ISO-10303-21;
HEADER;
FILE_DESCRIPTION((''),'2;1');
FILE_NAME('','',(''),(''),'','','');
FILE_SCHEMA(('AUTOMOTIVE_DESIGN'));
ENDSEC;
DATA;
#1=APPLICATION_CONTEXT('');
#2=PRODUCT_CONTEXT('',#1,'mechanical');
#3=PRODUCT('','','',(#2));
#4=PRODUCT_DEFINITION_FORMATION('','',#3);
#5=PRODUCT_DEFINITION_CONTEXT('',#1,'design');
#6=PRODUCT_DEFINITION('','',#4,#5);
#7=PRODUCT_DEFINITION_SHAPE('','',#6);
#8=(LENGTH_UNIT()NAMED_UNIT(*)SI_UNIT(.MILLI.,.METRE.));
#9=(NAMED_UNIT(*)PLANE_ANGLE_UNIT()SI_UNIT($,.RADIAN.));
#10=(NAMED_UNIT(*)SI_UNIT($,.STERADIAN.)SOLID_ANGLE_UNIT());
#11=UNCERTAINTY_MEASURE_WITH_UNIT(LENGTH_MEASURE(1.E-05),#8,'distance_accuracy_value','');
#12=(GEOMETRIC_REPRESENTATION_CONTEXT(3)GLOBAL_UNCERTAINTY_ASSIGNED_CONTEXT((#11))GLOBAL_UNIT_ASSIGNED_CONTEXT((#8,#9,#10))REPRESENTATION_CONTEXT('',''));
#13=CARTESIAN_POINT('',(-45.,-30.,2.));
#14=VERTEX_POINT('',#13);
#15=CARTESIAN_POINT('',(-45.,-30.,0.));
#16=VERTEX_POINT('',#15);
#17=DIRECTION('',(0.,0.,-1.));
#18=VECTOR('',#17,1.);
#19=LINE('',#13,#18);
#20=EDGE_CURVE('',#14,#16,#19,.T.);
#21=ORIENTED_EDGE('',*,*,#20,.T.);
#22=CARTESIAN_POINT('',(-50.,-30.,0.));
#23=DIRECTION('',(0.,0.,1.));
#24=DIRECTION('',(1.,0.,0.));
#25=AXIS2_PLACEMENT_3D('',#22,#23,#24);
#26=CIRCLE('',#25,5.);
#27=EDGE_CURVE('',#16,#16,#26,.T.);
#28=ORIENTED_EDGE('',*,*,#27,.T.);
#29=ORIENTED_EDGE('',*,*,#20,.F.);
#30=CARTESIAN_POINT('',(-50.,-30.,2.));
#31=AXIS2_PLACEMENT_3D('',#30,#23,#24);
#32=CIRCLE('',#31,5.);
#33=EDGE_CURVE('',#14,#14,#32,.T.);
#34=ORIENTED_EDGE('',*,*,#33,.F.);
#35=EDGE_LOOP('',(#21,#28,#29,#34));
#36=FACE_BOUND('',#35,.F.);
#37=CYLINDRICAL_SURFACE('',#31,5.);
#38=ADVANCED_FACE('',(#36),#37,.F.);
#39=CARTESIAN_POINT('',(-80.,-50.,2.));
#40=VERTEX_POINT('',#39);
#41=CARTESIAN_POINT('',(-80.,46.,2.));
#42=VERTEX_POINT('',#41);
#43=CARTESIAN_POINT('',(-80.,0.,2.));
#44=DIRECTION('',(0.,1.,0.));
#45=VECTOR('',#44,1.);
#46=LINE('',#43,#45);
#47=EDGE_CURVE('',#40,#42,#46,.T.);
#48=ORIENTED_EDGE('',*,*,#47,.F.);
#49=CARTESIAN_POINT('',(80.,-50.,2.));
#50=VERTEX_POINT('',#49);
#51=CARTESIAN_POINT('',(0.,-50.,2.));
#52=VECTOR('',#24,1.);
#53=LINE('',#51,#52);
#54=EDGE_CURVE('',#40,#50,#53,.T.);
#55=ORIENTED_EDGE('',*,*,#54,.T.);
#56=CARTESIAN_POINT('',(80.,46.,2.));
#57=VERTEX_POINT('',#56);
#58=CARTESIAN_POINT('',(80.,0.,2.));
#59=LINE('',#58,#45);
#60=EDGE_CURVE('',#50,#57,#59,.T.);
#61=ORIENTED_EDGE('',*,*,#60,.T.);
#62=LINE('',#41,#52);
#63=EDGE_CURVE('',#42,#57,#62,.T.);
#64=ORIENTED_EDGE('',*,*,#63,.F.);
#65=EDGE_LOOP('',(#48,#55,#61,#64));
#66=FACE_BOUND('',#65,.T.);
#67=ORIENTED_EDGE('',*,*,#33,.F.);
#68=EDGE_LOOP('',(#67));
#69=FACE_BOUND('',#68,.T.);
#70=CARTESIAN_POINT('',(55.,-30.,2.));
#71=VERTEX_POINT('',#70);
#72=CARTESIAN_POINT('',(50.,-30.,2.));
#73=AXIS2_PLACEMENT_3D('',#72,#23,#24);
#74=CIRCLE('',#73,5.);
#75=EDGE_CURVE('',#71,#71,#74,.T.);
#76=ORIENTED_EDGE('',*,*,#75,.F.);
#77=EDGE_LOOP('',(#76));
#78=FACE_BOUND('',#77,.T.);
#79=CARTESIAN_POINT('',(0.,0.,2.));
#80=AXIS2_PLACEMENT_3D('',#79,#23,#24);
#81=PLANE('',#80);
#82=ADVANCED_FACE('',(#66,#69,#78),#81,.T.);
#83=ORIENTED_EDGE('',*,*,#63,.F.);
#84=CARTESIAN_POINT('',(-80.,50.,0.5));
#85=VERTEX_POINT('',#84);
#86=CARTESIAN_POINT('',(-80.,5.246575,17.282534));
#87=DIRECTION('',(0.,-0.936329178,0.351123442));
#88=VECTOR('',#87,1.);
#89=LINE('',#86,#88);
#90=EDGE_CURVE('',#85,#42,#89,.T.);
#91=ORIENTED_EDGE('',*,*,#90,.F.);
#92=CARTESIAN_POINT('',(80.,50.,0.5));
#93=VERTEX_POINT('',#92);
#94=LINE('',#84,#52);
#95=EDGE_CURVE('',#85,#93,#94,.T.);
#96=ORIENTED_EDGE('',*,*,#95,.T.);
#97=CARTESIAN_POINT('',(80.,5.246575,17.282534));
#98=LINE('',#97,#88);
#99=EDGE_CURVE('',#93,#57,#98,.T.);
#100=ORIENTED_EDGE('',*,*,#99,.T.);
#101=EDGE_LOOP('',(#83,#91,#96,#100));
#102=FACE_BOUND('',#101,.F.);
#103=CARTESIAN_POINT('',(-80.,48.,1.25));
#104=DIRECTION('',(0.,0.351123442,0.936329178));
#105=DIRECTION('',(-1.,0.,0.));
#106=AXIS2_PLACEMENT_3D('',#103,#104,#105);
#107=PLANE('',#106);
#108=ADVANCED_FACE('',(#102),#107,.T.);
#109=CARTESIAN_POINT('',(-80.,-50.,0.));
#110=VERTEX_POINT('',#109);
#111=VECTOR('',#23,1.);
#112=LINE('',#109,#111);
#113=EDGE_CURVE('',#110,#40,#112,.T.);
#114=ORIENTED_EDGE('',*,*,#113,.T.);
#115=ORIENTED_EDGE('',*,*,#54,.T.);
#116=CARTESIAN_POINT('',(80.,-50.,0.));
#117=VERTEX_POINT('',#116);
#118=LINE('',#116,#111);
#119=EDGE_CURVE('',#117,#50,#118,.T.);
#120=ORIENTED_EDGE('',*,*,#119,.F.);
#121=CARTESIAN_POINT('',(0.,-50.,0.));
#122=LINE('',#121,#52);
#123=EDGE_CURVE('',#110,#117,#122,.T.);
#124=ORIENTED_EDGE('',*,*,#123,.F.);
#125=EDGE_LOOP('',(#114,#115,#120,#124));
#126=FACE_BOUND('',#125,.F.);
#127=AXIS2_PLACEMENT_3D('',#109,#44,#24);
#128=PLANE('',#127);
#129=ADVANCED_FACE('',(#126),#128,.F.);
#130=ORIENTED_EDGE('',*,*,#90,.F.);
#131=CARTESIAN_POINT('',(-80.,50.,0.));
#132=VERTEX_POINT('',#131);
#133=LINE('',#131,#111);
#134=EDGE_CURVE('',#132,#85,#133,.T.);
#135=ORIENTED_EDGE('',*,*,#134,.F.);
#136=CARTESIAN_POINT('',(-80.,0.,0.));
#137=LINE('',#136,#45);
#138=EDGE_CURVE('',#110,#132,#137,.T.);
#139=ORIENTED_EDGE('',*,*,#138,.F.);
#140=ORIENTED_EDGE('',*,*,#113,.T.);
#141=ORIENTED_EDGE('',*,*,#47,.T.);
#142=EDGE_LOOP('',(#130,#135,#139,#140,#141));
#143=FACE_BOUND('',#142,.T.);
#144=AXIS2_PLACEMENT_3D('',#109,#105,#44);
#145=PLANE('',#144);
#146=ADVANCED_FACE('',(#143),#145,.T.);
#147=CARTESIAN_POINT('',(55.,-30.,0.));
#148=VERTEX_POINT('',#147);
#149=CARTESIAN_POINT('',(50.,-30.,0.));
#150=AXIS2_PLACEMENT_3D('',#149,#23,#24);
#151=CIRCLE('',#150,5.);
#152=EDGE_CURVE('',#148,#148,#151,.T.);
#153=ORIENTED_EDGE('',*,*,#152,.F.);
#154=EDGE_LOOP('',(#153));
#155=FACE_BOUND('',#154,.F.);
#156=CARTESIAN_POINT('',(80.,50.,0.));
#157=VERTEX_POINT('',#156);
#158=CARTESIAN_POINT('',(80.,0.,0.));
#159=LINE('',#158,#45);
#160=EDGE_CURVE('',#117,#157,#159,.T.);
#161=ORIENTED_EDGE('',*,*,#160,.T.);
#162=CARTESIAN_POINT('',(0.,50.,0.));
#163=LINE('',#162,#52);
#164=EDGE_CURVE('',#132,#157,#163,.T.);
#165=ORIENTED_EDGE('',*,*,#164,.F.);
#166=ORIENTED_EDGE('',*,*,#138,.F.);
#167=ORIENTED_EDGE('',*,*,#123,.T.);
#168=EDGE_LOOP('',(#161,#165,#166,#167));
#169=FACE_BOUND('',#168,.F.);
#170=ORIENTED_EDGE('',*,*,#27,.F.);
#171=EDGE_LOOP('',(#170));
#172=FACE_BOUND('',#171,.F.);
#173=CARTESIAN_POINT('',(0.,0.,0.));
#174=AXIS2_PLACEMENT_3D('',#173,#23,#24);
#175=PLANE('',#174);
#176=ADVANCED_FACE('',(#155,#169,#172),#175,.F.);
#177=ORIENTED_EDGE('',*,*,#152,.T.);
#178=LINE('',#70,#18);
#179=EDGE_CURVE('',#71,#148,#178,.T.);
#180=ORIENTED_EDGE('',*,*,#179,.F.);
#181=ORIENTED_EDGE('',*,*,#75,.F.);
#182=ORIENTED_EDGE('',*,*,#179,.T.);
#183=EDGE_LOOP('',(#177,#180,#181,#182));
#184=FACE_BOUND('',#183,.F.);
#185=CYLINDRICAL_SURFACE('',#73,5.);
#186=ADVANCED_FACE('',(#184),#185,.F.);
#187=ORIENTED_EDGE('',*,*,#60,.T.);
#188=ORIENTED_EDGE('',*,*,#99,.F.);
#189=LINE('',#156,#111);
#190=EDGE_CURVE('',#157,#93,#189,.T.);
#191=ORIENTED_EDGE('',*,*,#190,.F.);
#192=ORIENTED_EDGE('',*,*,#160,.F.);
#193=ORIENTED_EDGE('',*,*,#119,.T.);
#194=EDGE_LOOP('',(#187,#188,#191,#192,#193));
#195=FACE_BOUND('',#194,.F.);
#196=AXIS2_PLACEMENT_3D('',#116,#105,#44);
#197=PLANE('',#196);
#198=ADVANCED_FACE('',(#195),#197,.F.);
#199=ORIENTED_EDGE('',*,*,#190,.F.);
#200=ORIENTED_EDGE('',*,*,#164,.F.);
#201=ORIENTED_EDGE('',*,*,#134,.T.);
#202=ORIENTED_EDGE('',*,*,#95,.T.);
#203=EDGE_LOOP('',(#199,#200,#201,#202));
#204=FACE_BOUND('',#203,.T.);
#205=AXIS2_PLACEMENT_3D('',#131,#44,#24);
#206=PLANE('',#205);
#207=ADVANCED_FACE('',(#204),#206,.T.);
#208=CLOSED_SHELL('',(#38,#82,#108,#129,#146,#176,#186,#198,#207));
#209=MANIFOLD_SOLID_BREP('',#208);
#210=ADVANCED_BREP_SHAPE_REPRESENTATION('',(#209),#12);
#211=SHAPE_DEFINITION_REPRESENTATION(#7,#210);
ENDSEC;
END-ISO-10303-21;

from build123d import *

# Parameters (mm, degrees)
SKETCH_W      = 160
SKETCH_H      = 100
PAD_DEPTH     = 2
CHAMFER_SIZE2 = 4
CHAMFER_SIZE  = 1.5
SKETCH001_R   = 5
POCKET_DEPTH  = 2


with BuildPart() as part:
    # Sketch → Pad (new body)
    with BuildSketch(Plane.XY):
        Rectangle(SKETCH_W, SKETCH_H)
    extrude(amount=PAD_DEPTH)

    # Chamfer
    chamfer_edges = [part.edges().sort_by_distance(p)[0] for p in [
        (0, 50, 2),
    ]]
    chamfer_side = part.faces().sort_by_distance((0, 50, 1))[0]
    chamfer(chamfer_edges, length=CHAMFER_SIZE, length2=CHAMFER_SIZE2, reference=chamfer_side)

    # Sketch001 (on Face5 of Chamfer) → Pocket (cut)
    with BuildSketch(Plane.XY.offset(2)):
        with Locations((-50, -30)):
            Circle(SKETCH001_R)
        with Locations((50, -30)):
            Circle(SKETCH001_R)
    extrude(amount=-POCKET_DEPTH, mode=Mode.SUBTRACT)


solid = part.part
